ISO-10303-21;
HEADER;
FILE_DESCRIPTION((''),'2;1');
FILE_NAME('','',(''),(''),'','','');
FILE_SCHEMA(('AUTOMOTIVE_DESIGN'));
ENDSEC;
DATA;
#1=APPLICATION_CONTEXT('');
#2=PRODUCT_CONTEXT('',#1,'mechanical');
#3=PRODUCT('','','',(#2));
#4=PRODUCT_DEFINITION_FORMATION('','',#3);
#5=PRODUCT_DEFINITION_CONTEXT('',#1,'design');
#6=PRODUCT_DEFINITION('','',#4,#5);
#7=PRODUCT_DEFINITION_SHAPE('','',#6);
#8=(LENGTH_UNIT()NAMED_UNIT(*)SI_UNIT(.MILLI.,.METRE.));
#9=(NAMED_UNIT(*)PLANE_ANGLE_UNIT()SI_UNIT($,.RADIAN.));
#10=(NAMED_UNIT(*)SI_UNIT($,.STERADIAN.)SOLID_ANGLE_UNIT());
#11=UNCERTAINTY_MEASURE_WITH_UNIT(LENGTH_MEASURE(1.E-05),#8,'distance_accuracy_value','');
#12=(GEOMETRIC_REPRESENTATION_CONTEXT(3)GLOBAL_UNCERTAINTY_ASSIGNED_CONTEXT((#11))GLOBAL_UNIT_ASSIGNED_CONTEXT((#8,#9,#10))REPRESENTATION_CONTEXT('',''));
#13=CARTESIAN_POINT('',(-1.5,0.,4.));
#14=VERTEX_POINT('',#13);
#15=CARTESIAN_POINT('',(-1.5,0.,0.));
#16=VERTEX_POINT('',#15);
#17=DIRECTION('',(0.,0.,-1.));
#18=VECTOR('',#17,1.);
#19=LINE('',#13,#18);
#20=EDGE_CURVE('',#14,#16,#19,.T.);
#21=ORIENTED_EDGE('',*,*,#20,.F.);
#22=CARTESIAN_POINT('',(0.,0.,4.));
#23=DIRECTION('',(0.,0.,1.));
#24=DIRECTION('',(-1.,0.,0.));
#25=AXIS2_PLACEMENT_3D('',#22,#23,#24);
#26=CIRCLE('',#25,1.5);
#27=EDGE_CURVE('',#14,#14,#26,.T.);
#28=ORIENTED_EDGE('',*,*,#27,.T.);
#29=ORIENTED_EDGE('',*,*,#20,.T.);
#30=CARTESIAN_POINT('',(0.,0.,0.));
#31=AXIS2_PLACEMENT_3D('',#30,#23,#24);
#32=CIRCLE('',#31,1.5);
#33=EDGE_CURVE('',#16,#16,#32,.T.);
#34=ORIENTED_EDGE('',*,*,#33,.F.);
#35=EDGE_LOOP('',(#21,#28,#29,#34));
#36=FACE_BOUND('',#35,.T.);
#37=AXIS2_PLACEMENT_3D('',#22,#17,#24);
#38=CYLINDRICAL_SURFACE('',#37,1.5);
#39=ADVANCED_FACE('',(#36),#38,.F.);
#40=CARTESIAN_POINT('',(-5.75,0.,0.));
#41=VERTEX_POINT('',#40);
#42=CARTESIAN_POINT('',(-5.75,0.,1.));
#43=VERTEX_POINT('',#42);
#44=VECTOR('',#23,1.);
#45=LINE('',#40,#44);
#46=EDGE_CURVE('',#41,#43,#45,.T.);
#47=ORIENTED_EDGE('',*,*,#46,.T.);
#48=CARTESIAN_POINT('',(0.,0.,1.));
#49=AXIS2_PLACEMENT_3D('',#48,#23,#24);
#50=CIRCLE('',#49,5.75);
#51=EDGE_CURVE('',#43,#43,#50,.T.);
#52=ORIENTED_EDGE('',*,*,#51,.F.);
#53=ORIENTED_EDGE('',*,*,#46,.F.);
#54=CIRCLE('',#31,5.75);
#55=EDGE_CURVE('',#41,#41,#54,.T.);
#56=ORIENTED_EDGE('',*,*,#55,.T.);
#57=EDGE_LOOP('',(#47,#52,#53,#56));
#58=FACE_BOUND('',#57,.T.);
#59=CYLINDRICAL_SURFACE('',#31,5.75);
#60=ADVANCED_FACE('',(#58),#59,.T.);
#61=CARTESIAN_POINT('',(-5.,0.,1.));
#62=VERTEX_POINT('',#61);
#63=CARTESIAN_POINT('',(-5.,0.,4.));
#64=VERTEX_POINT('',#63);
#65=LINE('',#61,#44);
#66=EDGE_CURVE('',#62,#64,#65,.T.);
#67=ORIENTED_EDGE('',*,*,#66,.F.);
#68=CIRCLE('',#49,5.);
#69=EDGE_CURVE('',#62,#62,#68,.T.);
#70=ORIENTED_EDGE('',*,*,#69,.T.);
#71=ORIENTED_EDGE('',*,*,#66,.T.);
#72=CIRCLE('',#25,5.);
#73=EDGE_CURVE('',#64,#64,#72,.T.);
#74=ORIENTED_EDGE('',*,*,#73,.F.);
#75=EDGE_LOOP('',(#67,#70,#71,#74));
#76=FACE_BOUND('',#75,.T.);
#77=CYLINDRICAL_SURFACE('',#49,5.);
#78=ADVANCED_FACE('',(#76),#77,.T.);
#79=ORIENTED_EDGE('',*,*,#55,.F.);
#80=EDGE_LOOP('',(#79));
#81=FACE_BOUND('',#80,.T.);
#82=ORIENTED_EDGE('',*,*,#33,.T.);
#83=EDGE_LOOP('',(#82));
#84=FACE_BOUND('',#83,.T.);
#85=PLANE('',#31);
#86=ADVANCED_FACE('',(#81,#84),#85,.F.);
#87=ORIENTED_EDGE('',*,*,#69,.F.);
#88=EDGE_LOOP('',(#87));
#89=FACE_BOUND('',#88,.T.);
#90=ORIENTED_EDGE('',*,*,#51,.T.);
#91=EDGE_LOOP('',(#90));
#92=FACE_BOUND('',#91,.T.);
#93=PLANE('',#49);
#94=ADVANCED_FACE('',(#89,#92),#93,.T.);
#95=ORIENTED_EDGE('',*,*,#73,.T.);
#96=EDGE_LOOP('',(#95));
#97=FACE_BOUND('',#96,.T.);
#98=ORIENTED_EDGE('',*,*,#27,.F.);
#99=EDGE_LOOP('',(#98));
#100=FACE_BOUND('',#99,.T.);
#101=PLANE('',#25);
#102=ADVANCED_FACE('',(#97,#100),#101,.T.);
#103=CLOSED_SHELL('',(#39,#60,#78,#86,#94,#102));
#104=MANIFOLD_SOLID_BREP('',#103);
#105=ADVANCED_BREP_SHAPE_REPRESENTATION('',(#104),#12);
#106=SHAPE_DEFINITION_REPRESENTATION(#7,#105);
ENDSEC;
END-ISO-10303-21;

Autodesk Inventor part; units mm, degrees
ref_plane "YZ Plane" through (0, 0, 0) normal (1, 0, 0) x (0, 1, 0)
ref_plane "XZ Plane" through (0, 0, 0) normal (0, 1, 0) x (-1, 0, 0)
ref_plane "XY Plane" through (0, 0, 0) normal (0, 0, 1) x (1, 0, 0)
sketch "Sketch1" plane through (0, 0, 0) normal (0, 1, 0) x (-1, 0, 0)
  line L0 (0, 0) -> (0, 6.5) construction
  line L1 (1.5, 0) -> (5.75, 0)
  line L2 (5.75, 0) -> (5.75, 1)
  line L3 (5.75, 1) -> (5, 1)
  line L4 (5, 1) -> (5, 4)
  line L5 (5, 4) -> (1.5, 4)
  line L6 (1.5, 4) -> (1.5, 0)
  dimension "d0" = 1.5
  dimension "d1" = 5
  dimension "d2" = 4
  dimension "d3" = 1
  dimension "d4" = 0.75
revolve "Revolution1" add sketch "Sketch1" angle 360 about axis through (0, 0, 0) along (0, 0, 1)
properties part number "bearing_3x4x10"
